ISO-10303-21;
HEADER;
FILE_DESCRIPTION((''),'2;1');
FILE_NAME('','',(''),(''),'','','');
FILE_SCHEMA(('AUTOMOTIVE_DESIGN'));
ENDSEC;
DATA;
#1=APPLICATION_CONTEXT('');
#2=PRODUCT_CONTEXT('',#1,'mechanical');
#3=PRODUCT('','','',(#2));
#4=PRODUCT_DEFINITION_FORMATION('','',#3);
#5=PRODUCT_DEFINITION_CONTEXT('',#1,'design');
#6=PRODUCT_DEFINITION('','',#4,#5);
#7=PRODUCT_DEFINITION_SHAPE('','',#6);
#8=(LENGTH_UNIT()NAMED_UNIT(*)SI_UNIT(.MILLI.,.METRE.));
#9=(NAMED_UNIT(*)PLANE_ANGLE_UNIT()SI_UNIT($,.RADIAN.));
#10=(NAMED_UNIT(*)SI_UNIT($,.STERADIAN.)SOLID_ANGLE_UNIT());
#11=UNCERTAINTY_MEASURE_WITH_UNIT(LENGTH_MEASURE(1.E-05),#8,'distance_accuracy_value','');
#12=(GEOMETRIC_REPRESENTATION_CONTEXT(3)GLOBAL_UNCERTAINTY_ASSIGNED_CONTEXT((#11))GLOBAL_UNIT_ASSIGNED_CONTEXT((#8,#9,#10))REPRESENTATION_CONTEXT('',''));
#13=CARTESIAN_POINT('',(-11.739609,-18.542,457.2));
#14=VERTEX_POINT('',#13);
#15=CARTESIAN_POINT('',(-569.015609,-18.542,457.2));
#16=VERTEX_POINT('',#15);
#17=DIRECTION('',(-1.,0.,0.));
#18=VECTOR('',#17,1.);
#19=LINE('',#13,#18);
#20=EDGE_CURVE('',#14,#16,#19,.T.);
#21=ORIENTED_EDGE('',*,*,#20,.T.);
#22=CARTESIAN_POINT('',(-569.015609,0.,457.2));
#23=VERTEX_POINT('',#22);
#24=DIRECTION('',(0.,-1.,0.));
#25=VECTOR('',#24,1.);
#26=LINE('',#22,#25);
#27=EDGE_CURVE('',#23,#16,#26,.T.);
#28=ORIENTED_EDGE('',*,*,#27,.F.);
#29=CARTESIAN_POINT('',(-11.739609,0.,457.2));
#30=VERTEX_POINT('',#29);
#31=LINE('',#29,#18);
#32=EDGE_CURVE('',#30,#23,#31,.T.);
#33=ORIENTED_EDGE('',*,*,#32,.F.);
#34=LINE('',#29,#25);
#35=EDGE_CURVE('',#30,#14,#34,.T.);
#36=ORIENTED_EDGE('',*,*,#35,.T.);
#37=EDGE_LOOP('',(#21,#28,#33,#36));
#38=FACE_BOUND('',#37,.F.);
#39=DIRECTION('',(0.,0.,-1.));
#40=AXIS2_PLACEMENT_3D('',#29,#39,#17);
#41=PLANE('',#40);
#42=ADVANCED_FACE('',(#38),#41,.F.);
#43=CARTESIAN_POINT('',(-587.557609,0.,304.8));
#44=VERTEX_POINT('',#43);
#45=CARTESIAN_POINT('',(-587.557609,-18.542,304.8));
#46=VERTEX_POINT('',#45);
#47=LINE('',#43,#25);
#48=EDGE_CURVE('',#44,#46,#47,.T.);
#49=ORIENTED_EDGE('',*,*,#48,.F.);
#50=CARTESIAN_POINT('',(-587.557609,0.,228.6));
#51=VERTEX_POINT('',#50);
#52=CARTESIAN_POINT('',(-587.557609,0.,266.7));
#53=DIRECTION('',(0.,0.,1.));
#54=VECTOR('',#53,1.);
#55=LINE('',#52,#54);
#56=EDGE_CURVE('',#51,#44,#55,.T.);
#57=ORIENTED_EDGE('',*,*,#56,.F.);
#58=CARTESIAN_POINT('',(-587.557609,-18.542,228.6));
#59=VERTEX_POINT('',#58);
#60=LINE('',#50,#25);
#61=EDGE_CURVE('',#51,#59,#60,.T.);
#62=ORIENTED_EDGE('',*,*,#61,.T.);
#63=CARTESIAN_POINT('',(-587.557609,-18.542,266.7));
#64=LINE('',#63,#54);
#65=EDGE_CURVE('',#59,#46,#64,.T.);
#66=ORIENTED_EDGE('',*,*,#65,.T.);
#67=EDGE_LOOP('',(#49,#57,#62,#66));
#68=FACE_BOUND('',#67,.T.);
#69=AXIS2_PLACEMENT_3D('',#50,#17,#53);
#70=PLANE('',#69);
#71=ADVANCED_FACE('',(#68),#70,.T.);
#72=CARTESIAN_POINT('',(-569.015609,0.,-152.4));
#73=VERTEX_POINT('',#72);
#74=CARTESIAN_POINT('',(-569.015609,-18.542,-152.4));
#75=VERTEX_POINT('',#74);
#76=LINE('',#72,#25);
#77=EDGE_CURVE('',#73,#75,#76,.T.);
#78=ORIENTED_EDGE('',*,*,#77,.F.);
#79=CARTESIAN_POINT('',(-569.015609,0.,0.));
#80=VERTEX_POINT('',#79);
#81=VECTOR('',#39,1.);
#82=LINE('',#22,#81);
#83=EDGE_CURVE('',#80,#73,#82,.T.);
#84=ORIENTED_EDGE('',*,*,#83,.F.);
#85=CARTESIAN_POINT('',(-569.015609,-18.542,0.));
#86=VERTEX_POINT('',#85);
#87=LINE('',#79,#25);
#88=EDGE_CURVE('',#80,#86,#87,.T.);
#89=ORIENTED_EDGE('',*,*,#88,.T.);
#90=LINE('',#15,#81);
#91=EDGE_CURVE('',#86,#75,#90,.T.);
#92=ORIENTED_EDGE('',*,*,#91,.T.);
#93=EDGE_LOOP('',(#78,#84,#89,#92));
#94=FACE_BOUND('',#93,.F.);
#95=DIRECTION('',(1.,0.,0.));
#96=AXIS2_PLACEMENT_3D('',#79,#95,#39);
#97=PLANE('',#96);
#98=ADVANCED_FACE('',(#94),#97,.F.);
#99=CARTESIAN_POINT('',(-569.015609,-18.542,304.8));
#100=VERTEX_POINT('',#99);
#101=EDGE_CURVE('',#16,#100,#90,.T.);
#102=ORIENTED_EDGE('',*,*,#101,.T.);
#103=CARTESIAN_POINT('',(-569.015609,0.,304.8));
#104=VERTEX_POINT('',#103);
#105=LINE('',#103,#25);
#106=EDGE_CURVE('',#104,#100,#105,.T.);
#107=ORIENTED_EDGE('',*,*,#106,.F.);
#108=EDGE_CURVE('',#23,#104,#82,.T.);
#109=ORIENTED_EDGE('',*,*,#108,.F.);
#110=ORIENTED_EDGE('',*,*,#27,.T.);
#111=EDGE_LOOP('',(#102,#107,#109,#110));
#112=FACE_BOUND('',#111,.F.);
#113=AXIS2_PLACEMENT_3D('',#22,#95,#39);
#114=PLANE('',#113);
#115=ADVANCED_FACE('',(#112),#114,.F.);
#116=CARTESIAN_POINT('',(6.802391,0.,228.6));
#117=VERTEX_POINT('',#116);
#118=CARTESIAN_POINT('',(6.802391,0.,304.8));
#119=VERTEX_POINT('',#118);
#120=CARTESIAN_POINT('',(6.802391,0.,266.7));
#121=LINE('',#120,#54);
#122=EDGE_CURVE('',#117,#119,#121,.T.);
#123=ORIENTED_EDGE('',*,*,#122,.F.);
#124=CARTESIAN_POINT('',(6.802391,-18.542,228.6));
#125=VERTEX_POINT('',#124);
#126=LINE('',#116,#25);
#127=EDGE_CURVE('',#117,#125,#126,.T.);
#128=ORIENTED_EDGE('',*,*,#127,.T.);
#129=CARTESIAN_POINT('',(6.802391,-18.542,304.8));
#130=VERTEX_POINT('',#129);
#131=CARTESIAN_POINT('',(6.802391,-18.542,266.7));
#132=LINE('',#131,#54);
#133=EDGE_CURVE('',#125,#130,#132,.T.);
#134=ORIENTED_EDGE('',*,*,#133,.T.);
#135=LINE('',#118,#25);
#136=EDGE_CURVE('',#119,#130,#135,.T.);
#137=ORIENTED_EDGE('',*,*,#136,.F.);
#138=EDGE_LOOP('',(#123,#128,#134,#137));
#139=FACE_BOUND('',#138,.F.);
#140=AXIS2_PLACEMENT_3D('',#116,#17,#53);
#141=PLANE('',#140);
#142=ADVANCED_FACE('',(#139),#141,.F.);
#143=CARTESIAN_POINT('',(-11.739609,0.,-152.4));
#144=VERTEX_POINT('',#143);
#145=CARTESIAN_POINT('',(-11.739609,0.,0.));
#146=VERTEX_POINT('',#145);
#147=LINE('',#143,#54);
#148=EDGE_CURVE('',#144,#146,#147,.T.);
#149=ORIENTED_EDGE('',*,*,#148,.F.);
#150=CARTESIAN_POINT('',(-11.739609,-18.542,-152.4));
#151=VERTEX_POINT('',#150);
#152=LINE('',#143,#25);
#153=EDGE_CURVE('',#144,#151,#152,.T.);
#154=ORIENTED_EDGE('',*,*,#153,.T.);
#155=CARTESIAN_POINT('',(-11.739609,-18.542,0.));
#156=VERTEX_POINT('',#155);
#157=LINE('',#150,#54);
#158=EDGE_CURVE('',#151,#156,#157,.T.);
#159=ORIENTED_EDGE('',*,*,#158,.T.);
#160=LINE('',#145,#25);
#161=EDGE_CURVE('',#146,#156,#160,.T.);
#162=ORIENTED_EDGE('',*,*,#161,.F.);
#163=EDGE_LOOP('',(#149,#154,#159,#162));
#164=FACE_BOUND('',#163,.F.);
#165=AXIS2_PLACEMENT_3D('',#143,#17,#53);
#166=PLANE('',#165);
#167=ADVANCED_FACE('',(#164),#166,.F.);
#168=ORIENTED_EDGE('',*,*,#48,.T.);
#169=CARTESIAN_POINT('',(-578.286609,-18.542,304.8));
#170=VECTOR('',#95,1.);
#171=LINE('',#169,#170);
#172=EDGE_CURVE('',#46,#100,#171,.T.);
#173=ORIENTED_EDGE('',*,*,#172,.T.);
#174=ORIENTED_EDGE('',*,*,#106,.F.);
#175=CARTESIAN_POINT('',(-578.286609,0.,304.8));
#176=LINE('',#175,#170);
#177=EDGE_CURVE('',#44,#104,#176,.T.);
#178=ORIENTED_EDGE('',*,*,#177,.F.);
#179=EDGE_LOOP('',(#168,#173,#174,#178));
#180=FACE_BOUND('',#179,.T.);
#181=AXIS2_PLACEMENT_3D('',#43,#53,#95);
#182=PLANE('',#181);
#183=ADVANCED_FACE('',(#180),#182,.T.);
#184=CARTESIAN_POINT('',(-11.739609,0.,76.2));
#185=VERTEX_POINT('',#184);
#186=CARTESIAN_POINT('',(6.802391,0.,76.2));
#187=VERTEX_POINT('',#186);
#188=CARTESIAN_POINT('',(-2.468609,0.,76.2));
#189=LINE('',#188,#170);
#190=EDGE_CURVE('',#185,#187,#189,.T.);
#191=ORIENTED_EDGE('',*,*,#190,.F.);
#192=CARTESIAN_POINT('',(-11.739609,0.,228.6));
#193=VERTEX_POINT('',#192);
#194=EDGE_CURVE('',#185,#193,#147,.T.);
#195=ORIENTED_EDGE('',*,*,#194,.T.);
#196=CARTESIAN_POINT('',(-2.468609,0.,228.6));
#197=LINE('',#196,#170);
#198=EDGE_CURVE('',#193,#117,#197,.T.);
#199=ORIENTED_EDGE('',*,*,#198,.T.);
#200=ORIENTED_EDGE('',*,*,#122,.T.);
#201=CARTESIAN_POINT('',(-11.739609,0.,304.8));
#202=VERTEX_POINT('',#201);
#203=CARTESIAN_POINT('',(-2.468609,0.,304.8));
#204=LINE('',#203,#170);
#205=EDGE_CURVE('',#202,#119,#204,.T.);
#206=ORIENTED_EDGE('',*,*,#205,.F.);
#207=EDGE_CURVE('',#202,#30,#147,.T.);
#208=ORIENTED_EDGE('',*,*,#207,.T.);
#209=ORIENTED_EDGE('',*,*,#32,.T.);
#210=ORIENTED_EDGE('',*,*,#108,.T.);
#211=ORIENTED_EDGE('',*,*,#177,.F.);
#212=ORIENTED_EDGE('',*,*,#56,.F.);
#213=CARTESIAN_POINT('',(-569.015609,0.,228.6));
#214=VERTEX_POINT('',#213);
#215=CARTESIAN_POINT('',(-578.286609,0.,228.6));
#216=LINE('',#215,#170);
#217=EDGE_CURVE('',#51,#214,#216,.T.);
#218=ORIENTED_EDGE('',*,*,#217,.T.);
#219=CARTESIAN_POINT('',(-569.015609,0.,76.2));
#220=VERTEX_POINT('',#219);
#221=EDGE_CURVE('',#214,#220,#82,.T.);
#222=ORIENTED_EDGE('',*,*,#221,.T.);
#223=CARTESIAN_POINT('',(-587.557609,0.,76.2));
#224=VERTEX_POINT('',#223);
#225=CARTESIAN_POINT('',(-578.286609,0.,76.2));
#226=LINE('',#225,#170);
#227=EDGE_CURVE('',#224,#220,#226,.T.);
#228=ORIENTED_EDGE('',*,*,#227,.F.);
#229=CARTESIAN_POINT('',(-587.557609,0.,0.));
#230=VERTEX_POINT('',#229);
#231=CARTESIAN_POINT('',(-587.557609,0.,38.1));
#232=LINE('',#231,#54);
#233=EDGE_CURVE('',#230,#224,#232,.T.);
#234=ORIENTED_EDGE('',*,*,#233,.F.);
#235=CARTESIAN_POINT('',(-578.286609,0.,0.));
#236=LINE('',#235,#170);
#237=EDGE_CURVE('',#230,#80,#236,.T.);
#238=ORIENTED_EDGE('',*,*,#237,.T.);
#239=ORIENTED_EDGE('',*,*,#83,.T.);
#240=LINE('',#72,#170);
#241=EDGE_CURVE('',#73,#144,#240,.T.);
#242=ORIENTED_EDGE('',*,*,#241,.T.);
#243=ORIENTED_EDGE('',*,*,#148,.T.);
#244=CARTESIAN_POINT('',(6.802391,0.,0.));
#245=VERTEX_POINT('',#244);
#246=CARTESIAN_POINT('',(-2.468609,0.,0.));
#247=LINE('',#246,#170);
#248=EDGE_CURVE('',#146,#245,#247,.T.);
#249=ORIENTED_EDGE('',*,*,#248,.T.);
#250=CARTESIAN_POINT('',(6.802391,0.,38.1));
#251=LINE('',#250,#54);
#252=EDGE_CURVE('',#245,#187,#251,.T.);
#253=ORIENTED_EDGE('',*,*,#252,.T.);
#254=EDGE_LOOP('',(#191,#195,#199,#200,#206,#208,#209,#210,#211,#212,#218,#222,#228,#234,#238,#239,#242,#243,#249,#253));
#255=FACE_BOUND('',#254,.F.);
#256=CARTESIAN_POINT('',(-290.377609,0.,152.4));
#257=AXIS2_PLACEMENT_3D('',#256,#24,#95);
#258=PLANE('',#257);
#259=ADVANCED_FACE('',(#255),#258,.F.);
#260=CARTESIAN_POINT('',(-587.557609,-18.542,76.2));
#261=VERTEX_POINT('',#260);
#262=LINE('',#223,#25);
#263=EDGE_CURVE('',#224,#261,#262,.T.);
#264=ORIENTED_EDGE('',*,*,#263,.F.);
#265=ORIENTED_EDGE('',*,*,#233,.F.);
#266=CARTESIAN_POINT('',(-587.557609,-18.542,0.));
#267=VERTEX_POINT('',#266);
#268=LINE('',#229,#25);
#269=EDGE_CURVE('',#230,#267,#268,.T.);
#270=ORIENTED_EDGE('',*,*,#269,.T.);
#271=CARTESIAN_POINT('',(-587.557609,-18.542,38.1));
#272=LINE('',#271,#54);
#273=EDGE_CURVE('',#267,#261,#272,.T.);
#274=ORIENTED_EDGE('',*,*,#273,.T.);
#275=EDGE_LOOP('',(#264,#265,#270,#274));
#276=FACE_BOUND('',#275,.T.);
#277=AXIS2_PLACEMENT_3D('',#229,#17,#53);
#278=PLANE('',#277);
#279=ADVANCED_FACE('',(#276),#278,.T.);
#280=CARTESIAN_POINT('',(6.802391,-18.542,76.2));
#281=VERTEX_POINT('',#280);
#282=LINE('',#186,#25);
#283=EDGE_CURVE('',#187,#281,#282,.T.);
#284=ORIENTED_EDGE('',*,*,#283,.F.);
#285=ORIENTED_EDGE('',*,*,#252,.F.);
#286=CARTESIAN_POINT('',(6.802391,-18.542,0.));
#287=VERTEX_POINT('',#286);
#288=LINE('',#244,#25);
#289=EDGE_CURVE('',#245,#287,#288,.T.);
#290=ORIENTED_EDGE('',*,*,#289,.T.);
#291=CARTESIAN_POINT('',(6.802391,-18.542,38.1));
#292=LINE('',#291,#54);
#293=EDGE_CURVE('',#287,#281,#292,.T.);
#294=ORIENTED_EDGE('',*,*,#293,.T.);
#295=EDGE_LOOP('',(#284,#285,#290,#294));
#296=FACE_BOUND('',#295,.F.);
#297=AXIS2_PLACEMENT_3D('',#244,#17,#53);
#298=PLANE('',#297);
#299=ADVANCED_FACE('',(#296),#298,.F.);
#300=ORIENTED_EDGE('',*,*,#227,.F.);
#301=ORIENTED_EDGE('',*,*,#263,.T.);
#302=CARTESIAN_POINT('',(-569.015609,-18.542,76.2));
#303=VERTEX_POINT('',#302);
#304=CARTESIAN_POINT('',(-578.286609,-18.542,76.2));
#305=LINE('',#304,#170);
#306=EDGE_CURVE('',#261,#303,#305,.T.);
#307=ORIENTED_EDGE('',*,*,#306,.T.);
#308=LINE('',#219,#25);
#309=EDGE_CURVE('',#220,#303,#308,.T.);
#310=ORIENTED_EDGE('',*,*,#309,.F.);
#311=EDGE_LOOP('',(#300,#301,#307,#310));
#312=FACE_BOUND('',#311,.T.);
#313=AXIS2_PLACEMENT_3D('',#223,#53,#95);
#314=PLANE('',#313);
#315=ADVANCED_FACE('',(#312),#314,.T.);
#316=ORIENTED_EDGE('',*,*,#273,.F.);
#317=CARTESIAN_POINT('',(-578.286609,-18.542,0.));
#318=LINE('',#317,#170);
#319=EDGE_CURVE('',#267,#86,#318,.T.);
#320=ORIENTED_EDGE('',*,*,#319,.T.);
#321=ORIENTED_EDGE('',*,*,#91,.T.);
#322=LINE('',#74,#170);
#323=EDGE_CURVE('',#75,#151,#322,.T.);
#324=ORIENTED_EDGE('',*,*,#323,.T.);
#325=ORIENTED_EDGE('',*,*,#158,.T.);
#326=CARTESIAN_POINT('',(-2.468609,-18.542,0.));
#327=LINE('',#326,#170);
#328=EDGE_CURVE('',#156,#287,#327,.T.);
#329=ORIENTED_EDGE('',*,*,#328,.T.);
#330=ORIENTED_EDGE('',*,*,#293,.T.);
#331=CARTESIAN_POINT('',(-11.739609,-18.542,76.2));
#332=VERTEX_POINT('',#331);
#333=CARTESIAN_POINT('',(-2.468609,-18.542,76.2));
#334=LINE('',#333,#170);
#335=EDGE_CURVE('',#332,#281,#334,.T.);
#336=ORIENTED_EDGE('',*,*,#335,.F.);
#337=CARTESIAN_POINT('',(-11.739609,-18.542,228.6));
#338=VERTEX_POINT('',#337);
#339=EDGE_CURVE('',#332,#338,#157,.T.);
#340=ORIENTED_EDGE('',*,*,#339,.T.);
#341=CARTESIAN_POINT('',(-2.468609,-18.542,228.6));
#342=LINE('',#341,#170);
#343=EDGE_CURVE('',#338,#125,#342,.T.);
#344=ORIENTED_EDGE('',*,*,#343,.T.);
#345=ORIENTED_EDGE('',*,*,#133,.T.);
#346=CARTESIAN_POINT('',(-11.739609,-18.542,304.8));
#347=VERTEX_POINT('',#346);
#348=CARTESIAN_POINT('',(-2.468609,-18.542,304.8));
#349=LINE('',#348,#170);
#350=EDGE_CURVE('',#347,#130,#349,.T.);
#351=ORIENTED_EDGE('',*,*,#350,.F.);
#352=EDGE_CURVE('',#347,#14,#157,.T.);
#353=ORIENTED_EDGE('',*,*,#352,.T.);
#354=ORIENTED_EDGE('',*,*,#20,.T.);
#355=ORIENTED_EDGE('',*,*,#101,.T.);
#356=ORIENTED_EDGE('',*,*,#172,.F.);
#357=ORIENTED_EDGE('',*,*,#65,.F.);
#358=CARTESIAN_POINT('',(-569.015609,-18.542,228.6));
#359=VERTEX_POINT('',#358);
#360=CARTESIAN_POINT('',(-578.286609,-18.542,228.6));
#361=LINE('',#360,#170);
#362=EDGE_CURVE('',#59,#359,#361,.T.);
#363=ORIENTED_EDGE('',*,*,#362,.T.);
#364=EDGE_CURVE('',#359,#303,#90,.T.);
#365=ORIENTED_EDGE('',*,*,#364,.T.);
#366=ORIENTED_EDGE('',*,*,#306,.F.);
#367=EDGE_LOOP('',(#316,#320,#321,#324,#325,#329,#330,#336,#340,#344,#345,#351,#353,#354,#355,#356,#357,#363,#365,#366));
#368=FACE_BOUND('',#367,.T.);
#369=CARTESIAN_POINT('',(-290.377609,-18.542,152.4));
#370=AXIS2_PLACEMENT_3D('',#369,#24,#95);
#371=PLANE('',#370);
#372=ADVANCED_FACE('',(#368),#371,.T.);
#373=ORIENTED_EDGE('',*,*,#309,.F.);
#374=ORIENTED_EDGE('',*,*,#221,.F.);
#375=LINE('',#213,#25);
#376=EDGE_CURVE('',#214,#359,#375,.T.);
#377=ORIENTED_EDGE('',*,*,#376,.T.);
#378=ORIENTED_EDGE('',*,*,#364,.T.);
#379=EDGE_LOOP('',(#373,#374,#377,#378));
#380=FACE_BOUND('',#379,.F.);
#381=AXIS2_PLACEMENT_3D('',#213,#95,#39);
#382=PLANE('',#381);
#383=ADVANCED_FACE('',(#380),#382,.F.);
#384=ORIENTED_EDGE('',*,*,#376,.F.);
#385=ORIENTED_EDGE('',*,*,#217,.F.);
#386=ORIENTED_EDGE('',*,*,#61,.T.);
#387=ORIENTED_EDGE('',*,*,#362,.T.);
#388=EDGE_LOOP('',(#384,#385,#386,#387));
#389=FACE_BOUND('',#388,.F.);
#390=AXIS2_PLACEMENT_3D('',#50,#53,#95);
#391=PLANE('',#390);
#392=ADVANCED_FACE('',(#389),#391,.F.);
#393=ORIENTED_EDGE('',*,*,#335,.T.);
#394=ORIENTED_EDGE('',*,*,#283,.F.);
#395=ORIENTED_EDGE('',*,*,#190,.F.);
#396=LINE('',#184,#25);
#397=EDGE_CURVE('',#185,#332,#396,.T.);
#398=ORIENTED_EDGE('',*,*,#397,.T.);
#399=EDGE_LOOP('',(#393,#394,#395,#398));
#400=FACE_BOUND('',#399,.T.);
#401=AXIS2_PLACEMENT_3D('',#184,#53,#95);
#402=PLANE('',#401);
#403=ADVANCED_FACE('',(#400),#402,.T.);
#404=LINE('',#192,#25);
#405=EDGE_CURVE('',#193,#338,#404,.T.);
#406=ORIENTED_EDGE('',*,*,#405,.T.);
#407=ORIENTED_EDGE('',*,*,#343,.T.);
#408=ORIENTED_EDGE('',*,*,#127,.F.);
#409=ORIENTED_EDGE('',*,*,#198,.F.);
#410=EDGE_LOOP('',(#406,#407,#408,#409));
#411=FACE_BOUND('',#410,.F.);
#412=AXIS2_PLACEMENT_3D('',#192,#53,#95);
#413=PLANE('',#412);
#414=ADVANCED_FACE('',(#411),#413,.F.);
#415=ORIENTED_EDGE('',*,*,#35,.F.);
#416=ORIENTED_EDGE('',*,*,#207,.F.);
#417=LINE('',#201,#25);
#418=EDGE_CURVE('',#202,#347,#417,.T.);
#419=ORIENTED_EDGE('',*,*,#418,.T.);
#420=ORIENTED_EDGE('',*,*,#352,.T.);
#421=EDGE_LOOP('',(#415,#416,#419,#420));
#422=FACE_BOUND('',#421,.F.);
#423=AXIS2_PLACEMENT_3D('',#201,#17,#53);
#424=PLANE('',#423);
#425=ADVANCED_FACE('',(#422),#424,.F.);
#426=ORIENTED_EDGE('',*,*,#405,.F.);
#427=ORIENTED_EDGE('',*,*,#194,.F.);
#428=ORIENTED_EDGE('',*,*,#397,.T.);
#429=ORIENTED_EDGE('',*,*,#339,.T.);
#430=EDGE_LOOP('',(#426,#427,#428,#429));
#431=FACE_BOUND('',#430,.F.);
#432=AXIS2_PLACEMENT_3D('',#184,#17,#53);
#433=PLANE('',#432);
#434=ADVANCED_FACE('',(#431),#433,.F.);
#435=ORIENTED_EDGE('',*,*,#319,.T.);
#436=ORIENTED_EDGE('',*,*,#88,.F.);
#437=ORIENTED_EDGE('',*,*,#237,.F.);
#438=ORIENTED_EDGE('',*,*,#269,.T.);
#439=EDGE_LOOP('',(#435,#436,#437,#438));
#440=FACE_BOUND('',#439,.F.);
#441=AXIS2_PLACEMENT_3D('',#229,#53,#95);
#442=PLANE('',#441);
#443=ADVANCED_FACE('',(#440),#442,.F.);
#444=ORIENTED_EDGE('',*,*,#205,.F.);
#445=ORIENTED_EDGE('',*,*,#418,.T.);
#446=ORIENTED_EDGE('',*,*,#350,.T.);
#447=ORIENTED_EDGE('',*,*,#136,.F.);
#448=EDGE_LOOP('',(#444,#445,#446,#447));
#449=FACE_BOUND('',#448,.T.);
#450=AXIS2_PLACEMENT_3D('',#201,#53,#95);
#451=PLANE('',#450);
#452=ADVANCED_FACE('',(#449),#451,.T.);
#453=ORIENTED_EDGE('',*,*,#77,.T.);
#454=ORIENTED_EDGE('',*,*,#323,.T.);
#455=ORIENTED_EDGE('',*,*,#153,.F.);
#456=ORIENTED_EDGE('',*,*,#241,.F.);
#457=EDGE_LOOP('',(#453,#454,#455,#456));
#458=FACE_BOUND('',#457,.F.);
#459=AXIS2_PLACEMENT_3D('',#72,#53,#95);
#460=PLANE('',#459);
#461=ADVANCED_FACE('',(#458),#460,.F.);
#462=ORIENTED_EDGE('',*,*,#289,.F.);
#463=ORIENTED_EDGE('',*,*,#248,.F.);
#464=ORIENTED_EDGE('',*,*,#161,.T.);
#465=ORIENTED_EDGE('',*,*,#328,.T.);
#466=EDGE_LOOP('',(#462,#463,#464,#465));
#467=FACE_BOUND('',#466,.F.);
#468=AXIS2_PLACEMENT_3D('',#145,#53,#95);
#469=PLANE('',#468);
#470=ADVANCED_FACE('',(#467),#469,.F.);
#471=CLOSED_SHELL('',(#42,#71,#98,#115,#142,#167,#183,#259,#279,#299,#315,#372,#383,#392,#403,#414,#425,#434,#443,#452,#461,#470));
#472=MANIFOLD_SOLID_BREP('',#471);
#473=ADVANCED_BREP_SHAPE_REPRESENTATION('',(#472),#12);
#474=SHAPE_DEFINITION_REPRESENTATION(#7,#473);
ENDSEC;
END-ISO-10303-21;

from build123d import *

# Parameters (mm, degrees)
F0_W     = 18.542
F0_H     = 76.2
F1_DEPTH = 18.542


with BuildPart() as f1:
    # F0 (on Front) → F1 (new body)
    with BuildSketch(Plane.XZ):
        Polygon((-11.739609, 457.2), (-569.015609, 457.2), (-569.015609, 304.8), (-569.015609, 228.6), (-569.015609, 76.2), (-569.015609, 0), (-569.015609, -152.4), (-11.739609, -152.4), (-11.739609, 0), (-11.739609, 76.2), (-11.739609, 228.6), (-11.739609, 304.8), align=None)
        with Locations((-578.286609, 266.7)):
            Rectangle(F0_W, F0_H)
        with Locations((-578.286609, 38.1)):
            Rectangle(F0_W, F0_H)
        with Locations((-2.468609, 266.7)):
            Rectangle(F0_W, F0_H)
        with Locations((-2.468609, 38.1)):
            Rectangle(F0_W, F0_H)
    extrude(amount=F1_DEPTH)


solid = f1.part
